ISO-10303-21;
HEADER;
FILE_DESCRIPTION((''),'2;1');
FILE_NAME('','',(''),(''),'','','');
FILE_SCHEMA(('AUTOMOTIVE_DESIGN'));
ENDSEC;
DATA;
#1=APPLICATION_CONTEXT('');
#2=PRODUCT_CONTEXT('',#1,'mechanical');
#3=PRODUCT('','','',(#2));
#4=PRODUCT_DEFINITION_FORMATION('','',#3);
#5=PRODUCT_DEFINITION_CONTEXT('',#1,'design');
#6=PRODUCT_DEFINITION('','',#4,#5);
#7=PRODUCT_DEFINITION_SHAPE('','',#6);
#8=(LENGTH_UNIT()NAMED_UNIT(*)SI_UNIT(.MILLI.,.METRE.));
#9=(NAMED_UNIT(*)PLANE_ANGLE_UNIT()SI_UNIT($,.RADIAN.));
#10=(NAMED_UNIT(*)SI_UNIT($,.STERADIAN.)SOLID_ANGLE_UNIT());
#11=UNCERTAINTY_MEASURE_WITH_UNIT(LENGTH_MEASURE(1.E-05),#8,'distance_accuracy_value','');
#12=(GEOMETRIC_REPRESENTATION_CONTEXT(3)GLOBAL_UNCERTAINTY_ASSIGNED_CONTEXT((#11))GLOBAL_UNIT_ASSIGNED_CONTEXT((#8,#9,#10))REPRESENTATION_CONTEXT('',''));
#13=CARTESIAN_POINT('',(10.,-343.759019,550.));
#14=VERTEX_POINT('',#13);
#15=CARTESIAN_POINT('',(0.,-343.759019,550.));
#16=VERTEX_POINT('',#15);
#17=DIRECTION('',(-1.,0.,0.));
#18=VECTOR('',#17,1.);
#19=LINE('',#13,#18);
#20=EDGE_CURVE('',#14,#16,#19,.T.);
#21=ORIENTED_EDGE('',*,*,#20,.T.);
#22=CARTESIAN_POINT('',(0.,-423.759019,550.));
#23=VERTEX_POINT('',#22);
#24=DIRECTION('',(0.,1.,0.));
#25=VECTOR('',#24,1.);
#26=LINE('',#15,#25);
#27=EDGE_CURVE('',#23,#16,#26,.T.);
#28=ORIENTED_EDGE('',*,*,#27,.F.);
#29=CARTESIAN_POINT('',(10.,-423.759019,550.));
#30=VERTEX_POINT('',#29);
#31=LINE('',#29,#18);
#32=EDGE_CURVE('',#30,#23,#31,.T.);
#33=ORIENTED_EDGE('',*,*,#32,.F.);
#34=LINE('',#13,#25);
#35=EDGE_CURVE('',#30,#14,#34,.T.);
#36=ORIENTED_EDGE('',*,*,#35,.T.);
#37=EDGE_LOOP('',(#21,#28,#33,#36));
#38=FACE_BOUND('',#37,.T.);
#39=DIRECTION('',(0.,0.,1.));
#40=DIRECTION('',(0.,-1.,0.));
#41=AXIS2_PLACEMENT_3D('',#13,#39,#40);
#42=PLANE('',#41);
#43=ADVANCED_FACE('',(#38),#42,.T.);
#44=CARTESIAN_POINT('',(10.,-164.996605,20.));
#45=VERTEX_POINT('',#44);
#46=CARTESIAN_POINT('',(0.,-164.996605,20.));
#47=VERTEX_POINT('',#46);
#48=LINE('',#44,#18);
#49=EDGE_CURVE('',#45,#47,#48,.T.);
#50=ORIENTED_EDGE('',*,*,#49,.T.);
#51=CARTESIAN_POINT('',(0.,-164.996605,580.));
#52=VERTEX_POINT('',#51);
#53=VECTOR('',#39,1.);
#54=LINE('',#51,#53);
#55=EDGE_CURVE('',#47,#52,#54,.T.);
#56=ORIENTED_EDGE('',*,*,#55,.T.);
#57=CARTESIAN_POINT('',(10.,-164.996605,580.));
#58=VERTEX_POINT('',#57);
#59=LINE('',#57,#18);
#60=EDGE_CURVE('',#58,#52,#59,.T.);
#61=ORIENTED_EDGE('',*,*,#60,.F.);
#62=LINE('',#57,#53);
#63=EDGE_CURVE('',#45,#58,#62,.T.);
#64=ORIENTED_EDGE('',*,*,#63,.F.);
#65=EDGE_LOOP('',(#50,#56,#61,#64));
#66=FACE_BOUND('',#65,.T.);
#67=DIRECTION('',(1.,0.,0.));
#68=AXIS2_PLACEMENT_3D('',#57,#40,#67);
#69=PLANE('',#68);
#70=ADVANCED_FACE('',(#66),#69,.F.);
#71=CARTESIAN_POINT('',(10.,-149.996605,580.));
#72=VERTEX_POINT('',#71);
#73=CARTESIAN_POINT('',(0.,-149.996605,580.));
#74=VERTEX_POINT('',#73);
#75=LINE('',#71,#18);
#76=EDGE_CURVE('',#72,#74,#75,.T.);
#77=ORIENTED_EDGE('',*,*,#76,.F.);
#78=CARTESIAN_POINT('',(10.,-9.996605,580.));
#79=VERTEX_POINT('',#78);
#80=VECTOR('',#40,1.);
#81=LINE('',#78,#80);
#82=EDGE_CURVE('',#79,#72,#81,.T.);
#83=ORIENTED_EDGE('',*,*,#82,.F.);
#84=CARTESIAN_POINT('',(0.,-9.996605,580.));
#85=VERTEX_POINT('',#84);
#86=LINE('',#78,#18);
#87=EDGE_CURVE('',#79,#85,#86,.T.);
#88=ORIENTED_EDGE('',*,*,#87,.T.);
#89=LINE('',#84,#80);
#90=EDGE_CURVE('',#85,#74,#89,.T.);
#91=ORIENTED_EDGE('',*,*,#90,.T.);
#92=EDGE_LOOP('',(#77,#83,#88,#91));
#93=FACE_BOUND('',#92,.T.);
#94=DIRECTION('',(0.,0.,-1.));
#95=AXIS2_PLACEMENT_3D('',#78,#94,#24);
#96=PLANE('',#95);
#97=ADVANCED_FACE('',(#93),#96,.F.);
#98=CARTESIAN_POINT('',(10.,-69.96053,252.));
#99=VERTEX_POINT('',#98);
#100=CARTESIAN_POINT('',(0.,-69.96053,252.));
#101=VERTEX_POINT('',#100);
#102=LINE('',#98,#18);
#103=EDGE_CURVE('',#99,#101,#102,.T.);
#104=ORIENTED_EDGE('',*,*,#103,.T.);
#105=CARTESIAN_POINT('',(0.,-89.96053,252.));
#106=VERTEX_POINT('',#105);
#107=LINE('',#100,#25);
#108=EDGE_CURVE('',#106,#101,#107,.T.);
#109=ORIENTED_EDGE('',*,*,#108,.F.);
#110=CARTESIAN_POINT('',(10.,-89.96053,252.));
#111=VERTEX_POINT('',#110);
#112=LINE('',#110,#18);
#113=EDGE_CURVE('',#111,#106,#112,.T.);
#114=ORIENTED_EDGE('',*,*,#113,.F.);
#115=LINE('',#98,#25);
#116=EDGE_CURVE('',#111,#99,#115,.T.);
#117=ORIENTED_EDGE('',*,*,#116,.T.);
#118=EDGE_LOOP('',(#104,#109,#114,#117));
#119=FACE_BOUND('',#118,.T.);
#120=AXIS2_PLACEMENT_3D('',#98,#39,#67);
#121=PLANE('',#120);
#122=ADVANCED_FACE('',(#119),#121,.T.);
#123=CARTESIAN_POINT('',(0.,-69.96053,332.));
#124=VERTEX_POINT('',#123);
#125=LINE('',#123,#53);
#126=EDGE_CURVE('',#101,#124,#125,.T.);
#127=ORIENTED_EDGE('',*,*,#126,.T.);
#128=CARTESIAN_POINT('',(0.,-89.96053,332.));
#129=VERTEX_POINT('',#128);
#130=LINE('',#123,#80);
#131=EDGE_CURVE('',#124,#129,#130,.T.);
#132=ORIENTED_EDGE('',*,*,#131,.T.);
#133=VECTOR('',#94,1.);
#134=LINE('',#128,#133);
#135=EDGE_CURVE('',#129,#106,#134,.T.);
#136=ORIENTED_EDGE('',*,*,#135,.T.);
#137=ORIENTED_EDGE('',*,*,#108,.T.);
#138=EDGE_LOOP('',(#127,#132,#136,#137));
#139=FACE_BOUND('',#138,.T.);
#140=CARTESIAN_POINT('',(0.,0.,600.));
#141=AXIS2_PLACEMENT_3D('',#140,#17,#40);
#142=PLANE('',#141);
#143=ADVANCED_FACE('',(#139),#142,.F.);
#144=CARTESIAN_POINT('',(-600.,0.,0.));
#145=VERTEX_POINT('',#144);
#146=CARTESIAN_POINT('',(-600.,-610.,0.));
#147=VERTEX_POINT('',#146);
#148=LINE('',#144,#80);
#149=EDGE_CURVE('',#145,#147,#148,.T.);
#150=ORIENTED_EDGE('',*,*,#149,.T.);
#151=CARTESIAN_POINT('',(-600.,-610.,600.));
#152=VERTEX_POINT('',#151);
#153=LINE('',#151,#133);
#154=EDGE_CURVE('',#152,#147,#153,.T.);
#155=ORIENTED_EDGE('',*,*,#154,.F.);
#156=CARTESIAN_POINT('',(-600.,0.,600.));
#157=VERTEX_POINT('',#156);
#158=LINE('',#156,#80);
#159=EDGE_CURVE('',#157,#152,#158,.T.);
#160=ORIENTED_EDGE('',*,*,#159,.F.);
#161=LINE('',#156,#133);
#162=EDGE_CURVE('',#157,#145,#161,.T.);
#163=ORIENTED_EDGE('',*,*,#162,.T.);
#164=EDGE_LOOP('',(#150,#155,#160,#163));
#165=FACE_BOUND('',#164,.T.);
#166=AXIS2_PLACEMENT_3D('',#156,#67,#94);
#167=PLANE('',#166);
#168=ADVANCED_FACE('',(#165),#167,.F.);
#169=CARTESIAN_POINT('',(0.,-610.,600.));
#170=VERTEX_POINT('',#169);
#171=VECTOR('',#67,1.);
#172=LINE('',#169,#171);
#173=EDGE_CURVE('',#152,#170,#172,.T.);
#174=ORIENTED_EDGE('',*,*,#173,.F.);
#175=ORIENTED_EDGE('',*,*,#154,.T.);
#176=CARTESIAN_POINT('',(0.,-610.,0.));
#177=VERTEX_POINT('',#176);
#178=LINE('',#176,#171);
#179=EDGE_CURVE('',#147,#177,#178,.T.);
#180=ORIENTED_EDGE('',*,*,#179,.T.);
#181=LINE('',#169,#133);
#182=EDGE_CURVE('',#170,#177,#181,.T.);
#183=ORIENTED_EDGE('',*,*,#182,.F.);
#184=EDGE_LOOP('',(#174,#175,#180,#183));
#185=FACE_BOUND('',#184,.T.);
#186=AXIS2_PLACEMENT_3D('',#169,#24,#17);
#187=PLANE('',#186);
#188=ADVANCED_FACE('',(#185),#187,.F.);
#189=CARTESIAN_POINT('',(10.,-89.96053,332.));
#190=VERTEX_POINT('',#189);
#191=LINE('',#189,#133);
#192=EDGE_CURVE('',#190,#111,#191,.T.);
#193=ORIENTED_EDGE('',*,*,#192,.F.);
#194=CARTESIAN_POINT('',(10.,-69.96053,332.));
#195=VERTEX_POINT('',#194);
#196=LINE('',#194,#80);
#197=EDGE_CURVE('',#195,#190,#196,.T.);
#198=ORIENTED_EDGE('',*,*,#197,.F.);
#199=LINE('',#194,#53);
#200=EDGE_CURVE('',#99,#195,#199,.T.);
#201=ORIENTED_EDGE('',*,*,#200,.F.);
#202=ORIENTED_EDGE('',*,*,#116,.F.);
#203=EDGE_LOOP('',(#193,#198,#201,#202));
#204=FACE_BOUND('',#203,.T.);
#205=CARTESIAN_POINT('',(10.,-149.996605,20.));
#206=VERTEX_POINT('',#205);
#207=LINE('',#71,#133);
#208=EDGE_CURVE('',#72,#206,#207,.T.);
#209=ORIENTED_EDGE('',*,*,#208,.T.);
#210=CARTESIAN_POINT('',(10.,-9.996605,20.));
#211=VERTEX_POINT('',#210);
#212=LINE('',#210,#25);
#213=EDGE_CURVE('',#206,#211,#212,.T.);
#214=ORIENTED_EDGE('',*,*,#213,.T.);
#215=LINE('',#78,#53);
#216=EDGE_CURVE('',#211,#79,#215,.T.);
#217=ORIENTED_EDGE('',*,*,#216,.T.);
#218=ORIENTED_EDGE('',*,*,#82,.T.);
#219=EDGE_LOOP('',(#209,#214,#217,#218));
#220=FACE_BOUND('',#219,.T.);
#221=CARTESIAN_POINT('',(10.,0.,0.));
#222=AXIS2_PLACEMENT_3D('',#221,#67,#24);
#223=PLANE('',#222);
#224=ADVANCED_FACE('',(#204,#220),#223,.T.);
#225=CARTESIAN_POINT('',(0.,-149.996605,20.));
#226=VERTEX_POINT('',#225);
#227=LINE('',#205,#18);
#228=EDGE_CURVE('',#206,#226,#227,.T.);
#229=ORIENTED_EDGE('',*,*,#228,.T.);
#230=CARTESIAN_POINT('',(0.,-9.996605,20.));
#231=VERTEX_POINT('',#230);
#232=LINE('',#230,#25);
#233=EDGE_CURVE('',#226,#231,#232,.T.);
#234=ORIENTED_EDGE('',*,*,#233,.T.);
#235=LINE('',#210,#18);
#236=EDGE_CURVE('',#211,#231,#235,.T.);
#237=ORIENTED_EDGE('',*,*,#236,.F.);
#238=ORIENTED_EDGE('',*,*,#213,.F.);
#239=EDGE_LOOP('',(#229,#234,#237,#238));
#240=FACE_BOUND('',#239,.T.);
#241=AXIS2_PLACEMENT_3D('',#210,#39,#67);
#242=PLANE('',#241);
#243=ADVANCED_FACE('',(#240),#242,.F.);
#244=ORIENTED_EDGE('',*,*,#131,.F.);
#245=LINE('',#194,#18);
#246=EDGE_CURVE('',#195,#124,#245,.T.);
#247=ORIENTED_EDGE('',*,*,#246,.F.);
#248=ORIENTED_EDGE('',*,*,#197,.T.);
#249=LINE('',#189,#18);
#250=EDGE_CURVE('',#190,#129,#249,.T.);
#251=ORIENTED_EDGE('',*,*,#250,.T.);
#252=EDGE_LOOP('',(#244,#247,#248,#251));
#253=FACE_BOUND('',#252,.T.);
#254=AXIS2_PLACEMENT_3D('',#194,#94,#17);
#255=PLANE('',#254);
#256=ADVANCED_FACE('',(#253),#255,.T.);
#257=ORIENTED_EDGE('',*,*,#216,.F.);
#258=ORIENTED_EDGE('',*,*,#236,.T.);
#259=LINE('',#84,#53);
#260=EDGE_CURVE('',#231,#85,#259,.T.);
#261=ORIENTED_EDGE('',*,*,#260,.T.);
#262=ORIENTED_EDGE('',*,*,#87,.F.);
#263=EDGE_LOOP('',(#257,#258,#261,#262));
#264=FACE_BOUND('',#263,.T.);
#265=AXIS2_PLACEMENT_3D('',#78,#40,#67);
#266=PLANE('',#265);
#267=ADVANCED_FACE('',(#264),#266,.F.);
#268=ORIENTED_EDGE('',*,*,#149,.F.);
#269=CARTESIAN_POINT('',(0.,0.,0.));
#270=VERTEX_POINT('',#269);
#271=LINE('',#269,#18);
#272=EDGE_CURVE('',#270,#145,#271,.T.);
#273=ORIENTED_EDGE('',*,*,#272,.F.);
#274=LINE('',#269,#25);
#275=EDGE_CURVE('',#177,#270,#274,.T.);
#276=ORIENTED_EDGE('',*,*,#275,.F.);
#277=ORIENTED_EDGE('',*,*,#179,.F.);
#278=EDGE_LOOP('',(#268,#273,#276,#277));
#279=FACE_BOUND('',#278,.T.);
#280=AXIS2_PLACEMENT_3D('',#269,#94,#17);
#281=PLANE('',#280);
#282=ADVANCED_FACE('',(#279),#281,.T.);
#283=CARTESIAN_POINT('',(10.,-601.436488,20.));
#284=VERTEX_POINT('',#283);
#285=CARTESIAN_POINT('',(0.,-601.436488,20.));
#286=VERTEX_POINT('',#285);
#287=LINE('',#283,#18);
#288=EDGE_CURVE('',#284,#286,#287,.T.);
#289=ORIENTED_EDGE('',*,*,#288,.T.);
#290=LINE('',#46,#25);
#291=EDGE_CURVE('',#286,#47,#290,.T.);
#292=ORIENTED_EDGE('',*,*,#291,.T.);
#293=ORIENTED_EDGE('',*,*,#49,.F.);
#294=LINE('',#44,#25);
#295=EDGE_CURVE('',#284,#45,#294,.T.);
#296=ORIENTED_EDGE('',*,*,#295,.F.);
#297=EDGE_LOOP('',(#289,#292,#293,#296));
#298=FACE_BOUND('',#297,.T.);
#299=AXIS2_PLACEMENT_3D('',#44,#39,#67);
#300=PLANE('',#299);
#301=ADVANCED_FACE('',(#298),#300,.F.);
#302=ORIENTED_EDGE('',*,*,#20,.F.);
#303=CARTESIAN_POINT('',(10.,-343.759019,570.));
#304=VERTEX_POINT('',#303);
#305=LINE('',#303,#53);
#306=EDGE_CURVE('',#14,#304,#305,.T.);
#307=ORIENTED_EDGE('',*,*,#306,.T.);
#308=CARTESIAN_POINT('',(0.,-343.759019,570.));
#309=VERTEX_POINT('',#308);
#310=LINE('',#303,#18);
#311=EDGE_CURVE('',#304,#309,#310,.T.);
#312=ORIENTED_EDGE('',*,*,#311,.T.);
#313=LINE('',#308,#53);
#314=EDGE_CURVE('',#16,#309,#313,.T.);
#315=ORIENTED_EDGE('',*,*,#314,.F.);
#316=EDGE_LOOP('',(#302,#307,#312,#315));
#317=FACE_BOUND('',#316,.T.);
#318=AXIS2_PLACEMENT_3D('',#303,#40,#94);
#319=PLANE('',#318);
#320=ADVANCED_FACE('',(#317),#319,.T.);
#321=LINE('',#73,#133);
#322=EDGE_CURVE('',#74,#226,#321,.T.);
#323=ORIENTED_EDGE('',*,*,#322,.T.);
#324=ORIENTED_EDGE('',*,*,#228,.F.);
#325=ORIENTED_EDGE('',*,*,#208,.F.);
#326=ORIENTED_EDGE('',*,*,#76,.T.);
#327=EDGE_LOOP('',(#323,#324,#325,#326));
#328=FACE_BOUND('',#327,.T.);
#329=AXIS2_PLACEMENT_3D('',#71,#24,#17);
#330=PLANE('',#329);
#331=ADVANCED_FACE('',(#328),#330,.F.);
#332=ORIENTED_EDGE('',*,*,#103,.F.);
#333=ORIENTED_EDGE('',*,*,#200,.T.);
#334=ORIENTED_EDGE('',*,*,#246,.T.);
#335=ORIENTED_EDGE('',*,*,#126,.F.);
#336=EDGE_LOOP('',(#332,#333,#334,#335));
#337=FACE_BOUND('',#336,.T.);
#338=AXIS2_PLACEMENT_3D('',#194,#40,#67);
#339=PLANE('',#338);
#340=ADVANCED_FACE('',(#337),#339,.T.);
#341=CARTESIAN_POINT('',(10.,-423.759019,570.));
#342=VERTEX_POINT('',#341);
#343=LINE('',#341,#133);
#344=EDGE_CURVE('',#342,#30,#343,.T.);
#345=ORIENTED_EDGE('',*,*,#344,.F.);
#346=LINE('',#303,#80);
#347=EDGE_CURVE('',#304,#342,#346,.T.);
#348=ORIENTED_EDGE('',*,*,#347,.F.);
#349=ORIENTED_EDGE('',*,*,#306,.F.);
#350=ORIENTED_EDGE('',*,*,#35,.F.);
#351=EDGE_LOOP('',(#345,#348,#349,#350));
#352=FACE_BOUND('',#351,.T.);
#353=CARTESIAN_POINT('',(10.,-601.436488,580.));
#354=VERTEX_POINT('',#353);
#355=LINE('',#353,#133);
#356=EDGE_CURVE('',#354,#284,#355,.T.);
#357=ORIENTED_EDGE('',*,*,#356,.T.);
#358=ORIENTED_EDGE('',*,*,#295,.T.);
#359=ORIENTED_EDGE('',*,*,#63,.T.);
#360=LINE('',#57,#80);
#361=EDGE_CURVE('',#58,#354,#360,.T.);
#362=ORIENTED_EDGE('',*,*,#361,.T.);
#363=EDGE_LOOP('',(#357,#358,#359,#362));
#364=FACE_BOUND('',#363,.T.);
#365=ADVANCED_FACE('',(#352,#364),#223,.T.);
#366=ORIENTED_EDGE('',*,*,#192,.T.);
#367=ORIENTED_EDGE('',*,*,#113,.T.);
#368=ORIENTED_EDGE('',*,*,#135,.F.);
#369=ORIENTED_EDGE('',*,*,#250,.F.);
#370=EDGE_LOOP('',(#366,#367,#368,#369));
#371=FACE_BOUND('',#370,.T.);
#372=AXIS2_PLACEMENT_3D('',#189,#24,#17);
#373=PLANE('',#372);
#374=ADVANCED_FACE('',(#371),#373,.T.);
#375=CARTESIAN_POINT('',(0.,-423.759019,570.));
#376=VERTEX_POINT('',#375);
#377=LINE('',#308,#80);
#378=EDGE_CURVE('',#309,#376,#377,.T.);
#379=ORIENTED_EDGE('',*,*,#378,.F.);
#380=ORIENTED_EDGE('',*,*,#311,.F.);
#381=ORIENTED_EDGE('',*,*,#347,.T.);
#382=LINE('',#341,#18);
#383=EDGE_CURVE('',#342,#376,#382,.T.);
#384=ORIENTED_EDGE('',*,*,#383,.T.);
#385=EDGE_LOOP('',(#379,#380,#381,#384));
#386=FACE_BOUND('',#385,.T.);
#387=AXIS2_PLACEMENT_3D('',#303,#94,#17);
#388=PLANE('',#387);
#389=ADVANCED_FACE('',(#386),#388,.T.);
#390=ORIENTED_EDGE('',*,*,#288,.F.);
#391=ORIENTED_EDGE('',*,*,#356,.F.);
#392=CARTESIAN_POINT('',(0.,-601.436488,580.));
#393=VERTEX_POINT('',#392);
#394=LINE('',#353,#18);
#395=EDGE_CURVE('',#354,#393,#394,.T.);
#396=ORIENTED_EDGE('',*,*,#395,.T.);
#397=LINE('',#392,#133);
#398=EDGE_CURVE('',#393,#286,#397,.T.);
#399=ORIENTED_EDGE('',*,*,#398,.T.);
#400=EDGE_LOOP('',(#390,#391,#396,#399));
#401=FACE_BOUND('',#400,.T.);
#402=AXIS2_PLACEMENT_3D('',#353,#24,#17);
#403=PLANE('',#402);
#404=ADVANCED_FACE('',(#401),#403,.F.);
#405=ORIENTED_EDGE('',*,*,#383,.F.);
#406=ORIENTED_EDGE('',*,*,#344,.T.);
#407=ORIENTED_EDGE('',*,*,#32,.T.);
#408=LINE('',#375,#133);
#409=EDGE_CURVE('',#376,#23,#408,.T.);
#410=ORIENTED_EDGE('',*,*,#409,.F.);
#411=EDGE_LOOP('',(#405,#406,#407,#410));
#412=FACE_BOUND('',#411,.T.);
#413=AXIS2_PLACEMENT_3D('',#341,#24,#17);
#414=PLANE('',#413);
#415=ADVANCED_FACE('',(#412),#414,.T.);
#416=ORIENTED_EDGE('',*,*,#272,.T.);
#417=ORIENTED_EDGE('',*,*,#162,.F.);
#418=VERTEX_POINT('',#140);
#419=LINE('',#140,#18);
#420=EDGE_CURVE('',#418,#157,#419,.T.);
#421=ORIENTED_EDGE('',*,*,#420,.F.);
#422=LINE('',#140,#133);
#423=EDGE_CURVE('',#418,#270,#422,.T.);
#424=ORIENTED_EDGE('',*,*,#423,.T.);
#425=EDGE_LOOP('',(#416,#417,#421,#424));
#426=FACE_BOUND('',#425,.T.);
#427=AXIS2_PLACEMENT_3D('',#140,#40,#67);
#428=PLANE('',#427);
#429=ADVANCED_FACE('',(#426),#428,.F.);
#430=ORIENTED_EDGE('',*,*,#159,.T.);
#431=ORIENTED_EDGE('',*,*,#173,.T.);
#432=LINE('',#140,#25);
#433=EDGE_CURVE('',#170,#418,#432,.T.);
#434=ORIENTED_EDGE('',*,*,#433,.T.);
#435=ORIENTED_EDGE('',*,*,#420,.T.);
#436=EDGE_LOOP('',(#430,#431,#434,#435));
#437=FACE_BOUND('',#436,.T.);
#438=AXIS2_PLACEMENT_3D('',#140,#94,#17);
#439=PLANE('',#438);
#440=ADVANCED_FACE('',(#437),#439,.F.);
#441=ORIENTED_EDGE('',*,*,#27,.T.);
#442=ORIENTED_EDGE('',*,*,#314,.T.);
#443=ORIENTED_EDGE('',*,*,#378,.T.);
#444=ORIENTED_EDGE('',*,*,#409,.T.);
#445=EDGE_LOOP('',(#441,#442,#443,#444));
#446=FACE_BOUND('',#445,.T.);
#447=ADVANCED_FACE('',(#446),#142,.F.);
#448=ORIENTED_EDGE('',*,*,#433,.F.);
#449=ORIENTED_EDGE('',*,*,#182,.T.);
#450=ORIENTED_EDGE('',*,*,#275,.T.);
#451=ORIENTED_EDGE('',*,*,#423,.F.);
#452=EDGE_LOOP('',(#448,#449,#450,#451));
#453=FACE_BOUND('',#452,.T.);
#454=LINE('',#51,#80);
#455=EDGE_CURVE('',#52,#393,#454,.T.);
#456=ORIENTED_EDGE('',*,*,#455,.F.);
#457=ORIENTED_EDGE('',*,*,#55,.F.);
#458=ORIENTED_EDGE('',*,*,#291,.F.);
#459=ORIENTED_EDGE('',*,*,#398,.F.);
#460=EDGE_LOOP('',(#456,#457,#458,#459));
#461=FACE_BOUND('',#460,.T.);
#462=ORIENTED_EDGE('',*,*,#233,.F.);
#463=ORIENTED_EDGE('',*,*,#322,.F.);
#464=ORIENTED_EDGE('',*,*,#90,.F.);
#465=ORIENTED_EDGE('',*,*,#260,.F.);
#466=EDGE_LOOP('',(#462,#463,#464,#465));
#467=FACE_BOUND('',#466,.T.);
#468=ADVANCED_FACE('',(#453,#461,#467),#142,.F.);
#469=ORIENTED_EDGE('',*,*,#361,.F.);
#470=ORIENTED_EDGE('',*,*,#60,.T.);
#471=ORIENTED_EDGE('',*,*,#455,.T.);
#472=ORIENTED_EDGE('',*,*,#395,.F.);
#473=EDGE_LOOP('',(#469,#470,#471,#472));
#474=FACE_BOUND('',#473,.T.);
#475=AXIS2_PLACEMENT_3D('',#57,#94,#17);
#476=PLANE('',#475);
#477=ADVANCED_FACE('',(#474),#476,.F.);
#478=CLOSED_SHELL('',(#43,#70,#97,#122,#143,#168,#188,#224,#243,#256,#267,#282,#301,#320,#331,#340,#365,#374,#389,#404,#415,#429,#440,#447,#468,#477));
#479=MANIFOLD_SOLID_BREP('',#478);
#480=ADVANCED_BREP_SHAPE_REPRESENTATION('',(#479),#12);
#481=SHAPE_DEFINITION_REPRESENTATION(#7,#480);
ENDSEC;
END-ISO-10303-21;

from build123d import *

# Parameters (mm, degrees)
SKETCH1_W           = 600
SKETCH1_H           = 610
BOSS_EXTRUDE1_DEPTH = 600
SKETCH2_W           = 560
SKETCH2_H           = 140
SKETCH2_W_2         = 80
SKETCH2_H_2         = 20
SKETCH2_H_3         = 436.439883301
SKETCH2_W_3         = 20
SKETCH2_H_4         = 80
BOSS_EXTRUDE2_DEPTH = 10


with BuildPart() as part:
    # Sketch1 → Boss-Extrude1 (new body)
    with BuildSketch(Plane.XY):
        with Locations((-300, -305)):
            Rectangle(SKETCH1_W, SKETCH1_H)
    extrude(amount=BOSS_EXTRUDE1_DEPTH)

    # Sketch2 → Boss-Extrude2 (add)
    with BuildSketch(Plane(origin=(0, 0, 0), x_dir=(0, 0, -1), z_dir=(1, 0, 0))):
        with Locations((-300, -79.996604702)):
            Rectangle(SKETCH2_W, SKETCH2_H)
        with Locations((-292, -79.960529666)):
            Rectangle(SKETCH2_W_2, SKETCH2_H_2, mode=Mode.SUBTRACT)
        with Locations((-300, -383.216546353)):
            Rectangle(SKETCH2_W, SKETCH2_H_3)
        with Locations((-560, -383.759018759)):
            Rectangle(SKETCH2_W_3, SKETCH2_H_4, mode=Mode.SUBTRACT)
    extrude(amount=BOSS_EXTRUDE2_DEPTH)


solid = part.part
